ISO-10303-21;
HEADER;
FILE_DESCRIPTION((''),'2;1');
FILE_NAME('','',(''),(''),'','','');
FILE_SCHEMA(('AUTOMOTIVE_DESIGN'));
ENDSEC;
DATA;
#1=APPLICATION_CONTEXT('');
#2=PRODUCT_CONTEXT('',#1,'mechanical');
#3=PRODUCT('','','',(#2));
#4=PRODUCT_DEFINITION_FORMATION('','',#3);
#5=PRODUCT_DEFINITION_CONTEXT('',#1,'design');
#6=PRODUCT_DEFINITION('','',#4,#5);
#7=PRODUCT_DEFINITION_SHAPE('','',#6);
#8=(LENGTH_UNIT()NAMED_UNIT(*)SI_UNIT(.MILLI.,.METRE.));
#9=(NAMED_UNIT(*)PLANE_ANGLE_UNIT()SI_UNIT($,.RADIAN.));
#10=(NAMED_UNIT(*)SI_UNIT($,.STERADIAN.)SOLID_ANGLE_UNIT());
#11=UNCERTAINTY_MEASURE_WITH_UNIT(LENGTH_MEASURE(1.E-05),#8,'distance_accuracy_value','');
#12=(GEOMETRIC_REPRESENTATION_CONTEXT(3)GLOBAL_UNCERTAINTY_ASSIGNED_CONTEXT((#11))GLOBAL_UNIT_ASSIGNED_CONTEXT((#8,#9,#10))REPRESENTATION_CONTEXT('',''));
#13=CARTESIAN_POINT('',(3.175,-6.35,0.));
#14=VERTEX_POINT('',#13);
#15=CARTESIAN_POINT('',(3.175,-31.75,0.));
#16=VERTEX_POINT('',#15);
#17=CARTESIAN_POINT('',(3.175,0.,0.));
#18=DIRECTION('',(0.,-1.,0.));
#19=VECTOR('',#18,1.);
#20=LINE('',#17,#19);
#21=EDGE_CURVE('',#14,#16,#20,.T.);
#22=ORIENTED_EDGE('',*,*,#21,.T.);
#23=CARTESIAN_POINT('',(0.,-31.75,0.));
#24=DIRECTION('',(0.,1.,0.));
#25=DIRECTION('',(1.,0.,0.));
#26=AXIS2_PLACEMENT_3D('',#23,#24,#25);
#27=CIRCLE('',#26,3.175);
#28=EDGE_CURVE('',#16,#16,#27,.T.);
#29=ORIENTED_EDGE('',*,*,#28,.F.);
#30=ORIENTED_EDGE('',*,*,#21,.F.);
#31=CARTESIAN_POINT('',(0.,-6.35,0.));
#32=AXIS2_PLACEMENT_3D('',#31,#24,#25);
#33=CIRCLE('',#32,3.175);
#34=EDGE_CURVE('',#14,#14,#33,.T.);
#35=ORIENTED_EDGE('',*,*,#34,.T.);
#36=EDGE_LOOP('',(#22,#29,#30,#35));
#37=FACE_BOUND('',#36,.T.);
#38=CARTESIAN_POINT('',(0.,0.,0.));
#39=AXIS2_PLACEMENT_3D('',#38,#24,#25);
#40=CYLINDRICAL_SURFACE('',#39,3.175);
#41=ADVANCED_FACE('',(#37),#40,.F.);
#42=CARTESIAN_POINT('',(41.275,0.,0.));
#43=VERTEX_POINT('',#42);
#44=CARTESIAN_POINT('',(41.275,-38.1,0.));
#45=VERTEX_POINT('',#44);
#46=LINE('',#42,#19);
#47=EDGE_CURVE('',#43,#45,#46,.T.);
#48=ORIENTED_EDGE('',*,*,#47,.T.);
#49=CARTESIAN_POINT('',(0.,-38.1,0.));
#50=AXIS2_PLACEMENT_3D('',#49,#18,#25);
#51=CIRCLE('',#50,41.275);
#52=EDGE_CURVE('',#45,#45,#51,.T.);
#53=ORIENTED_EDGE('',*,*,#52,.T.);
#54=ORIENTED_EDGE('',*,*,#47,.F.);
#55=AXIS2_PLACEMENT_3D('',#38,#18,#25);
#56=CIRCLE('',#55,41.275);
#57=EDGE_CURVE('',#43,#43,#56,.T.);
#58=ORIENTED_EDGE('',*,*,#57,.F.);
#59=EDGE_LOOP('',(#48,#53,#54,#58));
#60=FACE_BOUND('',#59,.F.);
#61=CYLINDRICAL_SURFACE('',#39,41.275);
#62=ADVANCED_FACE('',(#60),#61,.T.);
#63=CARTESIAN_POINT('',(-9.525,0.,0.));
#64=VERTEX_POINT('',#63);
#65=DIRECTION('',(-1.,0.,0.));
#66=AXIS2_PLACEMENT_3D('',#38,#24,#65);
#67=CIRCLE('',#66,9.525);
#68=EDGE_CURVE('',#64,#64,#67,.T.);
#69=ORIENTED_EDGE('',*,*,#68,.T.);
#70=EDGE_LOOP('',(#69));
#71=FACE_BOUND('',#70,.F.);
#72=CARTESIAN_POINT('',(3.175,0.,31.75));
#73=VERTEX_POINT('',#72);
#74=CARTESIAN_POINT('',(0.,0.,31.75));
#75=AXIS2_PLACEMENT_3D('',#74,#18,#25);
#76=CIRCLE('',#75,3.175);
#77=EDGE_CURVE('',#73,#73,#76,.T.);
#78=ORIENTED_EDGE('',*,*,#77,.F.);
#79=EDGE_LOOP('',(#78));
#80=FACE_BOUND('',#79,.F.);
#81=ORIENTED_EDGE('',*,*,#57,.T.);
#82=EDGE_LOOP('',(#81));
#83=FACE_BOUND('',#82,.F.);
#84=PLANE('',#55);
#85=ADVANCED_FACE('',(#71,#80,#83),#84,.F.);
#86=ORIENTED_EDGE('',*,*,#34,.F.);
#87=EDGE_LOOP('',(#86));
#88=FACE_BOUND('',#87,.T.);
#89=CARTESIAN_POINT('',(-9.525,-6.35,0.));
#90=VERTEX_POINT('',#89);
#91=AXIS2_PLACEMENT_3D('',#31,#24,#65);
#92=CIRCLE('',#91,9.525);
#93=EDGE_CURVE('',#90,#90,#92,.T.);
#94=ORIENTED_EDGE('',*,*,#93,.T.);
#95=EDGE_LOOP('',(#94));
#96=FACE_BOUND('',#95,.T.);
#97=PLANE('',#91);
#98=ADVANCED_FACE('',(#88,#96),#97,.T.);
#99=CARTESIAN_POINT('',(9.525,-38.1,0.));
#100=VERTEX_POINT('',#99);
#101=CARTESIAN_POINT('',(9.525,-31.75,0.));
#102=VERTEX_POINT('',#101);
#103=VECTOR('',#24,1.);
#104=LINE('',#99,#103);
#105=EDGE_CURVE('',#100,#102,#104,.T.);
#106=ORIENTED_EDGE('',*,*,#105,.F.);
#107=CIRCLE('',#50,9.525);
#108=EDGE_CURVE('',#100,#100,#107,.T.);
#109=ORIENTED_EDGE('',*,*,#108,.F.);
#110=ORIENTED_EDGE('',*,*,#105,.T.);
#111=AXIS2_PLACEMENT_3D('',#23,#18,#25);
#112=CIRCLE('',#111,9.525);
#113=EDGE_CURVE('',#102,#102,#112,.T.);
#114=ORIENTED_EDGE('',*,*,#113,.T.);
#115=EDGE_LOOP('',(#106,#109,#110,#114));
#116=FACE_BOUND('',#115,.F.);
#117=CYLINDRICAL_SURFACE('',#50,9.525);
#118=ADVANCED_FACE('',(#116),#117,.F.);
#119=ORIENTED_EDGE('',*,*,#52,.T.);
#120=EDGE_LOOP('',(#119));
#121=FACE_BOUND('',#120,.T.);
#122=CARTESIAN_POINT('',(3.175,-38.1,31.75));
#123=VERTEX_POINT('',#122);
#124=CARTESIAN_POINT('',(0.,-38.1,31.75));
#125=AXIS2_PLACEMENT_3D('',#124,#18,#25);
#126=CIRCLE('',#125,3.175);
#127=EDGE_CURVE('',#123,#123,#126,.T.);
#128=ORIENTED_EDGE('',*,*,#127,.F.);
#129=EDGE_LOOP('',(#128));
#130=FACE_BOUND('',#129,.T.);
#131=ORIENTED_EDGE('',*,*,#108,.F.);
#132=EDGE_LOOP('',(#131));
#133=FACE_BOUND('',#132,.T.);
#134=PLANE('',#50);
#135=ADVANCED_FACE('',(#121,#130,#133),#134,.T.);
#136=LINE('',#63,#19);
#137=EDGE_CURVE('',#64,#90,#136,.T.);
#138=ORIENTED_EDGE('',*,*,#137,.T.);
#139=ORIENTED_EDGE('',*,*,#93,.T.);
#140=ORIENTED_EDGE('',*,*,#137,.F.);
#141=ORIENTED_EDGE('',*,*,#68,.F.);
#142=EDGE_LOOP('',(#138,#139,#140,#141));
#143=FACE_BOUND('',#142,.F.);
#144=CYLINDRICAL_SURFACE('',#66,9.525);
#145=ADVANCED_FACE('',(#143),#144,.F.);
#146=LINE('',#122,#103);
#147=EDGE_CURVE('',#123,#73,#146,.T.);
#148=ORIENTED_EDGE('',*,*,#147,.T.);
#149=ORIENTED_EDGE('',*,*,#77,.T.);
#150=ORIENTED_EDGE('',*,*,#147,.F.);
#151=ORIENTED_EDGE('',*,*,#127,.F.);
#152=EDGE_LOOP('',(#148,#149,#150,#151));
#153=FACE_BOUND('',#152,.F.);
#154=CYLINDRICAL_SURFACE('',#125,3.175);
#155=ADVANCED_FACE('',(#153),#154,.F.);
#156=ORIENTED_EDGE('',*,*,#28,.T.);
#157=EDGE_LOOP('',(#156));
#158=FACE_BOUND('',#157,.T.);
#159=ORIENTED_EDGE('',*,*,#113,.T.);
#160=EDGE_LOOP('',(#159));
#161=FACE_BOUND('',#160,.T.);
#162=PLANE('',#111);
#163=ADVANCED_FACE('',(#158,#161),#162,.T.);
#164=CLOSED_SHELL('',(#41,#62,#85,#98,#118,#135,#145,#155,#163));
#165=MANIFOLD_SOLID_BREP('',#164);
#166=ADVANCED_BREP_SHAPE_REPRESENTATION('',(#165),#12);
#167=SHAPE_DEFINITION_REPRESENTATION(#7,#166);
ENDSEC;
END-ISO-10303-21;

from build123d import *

# Parameters (mm, degrees)
F0_R     = 41.275
F0_R_2   = 3.175
F1_DEPTH = 38.1
F2_R     = 3.175
F3_DEPTH = 38.101
F4_R     = 9.525
F4_R_2   = 3.175
F5_DEPTH = 6.35
F6_R     = 9.525
F7_DEPTH = 6.35


with BuildPart() as f1:
    # F0 (on Front) → F1 (new body)
    with BuildSketch(Plane.XZ):
        Circle(F0_R)
        Circle(F0_R_2, mode=Mode.SUBTRACT)
    extrude(amount=F1_DEPTH)

    # F2 (on face) → F3 (cut, through all)
    with BuildSketch(Plane.XZ.offset(38.1)):
        with Locations((0, 31.75)):
            Circle(F2_R)
    extrude(amount=-F3_DEPTH, mode=Mode.SUBTRACT)

    # F4 (on face) → F5 (cut)
    with BuildSketch(Plane(origin=(0, 0, 0), x_dir=(-1, 0, 0), z_dir=(0, 1, 0))):
        Circle(F4_R)
        Circle(F4_R_2, mode=Mode.SUBTRACT)
    extrude(amount=-F5_DEPTH, mode=Mode.SUBTRACT)

    # F6 (on face) → F7 (cut)
    with BuildSketch(Plane.XZ.offset(38.1)):
        Circle(F6_R)
    extrude(amount=-F7_DEPTH, mode=Mode.SUBTRACT)


solid = f1.part
